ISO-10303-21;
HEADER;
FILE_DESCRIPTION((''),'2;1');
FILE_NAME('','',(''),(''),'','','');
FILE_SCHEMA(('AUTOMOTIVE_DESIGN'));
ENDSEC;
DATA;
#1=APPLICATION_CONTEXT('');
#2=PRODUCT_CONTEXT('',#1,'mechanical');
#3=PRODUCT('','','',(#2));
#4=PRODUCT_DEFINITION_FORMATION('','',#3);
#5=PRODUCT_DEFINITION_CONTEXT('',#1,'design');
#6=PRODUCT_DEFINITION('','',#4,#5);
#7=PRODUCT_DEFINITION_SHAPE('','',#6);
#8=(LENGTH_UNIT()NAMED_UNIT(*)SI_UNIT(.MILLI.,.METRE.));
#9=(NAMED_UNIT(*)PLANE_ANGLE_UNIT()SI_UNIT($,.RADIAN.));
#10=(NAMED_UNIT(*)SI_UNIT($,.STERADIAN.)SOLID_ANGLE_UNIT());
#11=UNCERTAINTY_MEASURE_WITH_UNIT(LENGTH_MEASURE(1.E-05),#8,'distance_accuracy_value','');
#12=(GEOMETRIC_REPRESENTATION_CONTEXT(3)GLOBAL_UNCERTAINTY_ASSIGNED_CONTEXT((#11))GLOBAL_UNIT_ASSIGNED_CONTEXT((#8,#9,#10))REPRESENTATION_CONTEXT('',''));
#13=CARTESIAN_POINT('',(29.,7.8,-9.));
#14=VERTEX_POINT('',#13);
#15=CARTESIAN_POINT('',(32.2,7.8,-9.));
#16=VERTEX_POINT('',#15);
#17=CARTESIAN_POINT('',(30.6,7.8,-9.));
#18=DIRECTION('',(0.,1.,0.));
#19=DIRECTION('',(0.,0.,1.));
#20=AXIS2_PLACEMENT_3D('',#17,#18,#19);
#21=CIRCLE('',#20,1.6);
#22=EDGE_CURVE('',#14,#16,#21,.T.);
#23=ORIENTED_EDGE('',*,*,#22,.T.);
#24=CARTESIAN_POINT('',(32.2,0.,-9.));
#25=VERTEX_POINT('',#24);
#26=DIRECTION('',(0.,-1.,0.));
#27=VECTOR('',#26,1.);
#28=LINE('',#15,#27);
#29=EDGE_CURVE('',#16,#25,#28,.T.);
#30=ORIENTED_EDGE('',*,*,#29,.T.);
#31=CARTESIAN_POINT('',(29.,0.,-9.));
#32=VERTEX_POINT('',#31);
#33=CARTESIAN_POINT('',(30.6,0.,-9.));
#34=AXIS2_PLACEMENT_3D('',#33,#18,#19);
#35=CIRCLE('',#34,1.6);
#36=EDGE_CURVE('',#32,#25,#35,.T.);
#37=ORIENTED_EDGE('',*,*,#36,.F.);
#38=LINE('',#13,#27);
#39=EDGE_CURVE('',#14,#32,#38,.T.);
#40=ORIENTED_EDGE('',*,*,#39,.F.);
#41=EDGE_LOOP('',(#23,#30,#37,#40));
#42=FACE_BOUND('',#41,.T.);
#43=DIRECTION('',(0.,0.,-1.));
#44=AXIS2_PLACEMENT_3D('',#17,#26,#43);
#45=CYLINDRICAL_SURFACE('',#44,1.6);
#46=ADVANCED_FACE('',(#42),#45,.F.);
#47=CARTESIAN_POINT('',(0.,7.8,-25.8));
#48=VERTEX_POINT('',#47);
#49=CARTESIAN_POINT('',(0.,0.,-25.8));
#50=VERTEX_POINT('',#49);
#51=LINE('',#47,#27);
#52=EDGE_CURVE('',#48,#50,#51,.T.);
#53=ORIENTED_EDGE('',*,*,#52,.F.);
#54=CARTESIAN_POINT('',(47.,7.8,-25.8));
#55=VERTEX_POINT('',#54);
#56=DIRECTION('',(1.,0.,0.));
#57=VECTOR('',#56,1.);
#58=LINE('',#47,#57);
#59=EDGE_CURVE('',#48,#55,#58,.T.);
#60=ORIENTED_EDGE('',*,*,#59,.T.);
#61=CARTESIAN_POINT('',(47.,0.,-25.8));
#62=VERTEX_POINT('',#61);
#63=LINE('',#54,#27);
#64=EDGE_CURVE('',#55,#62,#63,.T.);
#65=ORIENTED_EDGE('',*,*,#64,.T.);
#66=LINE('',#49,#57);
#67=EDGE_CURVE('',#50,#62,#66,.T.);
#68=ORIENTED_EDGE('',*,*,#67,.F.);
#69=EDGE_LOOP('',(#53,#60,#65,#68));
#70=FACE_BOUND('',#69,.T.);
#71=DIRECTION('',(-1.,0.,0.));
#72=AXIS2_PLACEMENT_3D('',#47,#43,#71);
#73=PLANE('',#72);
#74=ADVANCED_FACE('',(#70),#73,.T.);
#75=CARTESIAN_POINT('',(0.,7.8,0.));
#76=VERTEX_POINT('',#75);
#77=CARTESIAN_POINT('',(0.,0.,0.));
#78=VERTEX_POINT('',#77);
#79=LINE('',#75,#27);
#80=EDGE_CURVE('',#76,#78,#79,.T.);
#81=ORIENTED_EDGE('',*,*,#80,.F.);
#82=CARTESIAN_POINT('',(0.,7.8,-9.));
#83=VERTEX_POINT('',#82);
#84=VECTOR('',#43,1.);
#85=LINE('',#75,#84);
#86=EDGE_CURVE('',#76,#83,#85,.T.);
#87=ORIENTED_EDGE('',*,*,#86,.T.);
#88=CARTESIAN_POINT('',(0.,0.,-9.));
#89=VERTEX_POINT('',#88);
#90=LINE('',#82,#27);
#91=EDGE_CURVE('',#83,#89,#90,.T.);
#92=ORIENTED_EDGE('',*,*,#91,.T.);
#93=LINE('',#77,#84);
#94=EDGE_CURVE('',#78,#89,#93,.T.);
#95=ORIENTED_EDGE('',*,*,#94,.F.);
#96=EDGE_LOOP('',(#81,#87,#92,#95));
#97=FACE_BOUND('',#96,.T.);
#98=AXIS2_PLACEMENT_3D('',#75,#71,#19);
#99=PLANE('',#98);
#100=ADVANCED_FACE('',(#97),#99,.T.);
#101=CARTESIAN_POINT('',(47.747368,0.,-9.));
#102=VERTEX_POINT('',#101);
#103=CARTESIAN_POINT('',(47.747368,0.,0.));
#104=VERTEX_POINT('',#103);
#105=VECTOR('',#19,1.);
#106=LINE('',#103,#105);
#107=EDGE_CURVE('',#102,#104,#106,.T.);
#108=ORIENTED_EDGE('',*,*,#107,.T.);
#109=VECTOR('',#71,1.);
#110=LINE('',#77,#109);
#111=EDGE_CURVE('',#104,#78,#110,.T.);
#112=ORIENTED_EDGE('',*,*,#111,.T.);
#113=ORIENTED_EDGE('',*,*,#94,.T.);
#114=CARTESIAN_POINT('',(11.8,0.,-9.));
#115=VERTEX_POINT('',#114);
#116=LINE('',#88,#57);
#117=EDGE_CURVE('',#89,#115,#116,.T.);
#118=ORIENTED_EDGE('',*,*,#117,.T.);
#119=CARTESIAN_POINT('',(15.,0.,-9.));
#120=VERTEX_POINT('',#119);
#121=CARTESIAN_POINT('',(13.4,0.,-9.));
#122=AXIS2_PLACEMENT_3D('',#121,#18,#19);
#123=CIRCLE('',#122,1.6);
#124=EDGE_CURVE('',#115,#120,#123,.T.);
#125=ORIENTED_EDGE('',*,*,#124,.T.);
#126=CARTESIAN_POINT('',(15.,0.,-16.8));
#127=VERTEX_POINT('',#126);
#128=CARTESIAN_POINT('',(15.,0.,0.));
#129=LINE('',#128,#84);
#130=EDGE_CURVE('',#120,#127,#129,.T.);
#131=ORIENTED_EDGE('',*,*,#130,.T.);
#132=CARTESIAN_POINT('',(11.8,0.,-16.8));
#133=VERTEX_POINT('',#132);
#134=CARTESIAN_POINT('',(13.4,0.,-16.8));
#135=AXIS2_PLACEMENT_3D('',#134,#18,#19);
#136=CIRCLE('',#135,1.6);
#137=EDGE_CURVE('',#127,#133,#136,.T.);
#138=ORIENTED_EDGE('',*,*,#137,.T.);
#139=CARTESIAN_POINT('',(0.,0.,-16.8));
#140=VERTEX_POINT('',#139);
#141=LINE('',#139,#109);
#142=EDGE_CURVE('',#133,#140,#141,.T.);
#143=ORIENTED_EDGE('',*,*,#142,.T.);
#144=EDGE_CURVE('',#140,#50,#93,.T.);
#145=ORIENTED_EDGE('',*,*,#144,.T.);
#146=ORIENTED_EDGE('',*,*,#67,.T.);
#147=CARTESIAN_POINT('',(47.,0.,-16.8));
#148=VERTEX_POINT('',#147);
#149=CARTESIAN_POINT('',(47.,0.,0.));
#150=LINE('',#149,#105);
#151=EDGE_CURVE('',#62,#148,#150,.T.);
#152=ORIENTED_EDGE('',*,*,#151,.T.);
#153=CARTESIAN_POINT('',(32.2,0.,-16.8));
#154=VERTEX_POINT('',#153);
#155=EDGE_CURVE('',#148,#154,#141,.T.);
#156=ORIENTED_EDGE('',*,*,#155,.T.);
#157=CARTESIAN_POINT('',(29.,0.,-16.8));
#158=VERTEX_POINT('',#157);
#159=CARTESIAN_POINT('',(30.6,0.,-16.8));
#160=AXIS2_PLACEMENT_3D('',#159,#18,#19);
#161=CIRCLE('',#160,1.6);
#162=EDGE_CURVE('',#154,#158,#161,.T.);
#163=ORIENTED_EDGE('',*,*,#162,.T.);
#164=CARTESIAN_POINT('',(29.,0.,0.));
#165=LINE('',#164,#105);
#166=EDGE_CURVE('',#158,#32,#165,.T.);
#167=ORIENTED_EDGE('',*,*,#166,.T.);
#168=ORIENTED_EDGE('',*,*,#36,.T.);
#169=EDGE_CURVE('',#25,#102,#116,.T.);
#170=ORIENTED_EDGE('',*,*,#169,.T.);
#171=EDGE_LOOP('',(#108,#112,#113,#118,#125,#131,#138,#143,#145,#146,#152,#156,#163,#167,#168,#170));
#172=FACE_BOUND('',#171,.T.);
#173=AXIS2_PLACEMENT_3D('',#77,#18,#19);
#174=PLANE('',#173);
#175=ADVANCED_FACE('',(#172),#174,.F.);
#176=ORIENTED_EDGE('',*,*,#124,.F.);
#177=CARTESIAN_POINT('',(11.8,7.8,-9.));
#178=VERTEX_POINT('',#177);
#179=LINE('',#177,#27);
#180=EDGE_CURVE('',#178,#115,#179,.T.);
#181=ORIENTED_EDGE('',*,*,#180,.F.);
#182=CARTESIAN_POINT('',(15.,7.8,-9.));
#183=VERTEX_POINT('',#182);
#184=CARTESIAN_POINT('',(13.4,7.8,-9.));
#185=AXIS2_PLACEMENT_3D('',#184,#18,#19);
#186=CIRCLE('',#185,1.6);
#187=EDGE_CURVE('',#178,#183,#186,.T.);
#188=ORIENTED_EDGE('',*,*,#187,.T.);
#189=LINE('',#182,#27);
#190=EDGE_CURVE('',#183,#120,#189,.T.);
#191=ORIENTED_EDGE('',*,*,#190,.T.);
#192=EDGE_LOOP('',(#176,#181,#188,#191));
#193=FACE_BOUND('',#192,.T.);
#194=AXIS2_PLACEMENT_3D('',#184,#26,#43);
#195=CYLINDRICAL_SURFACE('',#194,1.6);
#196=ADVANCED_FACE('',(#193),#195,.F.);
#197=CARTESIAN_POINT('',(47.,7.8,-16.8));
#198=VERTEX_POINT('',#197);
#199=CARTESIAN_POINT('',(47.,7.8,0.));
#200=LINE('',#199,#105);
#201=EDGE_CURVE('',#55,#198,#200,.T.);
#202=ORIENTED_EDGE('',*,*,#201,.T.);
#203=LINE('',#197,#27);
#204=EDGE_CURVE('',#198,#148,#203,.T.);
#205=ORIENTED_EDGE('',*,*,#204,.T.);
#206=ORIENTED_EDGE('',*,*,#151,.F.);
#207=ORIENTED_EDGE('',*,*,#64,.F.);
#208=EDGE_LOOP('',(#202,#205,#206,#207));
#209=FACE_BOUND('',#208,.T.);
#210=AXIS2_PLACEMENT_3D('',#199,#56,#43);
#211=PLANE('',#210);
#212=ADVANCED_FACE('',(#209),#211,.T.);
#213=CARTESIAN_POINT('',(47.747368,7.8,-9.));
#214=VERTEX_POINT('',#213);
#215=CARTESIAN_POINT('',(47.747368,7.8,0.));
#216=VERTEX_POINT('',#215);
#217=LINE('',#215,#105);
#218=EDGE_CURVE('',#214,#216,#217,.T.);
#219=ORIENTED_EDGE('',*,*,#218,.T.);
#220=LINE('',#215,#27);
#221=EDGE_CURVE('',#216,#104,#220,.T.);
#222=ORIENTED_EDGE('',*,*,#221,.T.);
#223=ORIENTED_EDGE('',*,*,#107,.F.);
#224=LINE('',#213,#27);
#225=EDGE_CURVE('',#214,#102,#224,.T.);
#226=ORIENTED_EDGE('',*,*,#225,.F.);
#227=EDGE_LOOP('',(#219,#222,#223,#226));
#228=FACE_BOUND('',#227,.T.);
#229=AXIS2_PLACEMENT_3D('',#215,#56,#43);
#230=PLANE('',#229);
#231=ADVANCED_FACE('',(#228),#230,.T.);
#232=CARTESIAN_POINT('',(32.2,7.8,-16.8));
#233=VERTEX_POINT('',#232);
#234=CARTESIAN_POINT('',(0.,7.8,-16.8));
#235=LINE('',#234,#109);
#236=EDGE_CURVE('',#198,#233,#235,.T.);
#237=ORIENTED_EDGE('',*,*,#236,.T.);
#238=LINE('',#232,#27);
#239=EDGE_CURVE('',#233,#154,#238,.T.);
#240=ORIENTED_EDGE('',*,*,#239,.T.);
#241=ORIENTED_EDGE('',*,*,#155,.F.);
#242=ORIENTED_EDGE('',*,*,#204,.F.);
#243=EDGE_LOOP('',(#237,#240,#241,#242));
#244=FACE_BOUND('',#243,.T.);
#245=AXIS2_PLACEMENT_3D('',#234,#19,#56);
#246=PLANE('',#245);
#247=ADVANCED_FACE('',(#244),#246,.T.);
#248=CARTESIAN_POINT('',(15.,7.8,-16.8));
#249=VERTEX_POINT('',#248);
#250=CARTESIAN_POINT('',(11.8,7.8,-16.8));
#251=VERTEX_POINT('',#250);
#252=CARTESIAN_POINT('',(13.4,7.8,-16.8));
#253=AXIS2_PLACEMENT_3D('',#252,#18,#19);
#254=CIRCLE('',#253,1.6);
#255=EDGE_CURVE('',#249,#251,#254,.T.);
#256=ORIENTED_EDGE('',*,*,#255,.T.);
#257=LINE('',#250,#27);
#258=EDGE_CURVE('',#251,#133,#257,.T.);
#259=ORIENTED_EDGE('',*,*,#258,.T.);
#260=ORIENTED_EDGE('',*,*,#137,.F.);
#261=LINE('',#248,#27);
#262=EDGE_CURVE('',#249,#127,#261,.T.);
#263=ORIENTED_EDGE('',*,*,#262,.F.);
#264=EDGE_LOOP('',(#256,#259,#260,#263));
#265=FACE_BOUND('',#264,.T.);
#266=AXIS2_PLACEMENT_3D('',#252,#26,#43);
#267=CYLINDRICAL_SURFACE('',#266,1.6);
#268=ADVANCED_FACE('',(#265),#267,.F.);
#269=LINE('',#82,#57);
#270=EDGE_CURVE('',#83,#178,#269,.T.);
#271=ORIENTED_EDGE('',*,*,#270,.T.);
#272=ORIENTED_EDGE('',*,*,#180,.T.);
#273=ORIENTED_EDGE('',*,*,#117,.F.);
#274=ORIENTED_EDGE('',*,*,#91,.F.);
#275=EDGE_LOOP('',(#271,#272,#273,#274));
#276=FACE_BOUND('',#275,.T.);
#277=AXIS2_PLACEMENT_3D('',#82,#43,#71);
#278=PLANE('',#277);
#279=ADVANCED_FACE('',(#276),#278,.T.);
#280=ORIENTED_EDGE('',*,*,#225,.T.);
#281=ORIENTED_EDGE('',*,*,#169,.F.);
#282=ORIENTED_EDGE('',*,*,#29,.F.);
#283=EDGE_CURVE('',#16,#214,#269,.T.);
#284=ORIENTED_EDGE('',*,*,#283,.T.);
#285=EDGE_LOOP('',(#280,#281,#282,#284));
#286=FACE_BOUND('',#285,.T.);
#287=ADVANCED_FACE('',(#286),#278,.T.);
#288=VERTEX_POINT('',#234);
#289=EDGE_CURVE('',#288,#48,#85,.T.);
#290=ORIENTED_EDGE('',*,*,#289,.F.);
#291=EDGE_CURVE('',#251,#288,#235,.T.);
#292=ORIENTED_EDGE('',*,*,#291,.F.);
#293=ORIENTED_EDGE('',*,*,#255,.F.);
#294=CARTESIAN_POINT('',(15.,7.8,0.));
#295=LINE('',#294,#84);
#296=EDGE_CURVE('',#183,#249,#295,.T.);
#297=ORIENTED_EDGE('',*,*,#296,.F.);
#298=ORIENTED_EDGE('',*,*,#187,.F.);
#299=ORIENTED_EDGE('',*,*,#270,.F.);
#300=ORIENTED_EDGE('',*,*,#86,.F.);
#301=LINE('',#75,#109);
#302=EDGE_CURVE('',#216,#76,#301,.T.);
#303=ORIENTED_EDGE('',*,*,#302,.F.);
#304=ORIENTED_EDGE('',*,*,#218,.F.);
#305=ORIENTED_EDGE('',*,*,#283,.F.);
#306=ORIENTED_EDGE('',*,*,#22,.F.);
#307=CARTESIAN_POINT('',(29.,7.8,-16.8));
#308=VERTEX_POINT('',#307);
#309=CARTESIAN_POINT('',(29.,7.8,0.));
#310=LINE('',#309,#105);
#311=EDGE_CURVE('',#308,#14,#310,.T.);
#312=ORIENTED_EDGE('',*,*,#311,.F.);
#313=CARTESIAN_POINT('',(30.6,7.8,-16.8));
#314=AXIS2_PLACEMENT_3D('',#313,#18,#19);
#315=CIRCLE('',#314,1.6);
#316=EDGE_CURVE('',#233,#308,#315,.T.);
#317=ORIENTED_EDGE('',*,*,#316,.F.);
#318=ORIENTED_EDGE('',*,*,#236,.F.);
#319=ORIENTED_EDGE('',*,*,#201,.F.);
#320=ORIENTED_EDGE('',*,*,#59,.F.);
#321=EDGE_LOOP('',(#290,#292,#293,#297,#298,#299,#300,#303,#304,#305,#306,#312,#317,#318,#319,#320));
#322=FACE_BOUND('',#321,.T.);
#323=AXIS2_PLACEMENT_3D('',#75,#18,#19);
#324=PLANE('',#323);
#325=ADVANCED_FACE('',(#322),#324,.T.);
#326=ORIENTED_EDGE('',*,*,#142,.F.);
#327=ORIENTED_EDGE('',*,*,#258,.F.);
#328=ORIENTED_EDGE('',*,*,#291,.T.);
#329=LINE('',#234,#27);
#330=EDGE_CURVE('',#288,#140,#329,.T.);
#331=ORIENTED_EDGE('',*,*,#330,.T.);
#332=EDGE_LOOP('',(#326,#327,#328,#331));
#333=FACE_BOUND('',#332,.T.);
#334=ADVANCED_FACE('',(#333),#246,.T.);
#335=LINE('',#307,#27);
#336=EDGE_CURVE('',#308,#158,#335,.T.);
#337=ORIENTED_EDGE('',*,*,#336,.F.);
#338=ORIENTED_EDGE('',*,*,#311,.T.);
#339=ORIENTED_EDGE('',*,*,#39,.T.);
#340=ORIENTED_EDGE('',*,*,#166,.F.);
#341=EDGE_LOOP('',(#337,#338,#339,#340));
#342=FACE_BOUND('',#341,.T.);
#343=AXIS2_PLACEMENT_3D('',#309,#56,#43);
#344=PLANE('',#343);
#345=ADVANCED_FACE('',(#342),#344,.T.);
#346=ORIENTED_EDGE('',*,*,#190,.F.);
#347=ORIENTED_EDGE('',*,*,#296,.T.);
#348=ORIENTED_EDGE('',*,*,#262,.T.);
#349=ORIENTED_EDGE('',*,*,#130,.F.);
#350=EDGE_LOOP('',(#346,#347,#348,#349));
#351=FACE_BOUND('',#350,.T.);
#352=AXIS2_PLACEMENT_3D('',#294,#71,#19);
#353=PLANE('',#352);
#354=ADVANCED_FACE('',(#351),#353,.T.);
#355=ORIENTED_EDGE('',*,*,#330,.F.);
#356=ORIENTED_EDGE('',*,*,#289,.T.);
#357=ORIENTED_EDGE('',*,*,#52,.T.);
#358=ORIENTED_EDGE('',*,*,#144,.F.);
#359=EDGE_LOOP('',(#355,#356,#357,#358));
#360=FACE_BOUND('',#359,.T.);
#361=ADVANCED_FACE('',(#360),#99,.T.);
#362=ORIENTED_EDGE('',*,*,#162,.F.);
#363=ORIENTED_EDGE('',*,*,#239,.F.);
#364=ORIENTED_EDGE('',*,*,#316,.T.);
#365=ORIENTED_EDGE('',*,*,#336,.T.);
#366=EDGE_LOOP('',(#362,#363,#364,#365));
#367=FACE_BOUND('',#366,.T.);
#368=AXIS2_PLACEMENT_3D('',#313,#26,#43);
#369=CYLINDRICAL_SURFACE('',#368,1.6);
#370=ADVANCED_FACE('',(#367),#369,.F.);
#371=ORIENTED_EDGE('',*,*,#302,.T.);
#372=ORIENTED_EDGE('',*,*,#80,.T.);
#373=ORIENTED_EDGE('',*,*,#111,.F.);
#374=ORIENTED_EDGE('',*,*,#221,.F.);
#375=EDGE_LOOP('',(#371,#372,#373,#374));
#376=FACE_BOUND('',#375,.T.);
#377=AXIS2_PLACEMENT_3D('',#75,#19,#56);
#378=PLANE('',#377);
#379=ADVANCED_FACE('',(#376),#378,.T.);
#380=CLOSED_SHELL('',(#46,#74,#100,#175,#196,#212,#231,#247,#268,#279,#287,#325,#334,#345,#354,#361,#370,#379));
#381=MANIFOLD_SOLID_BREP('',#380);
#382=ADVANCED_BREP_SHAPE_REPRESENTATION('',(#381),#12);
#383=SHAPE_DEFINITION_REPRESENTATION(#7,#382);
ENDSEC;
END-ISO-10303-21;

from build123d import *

# Parameters (mm, degrees)
BOSS_EXTRUDE1_DEPTH = 7.8


with BuildPart() as part:
    # Sketch1 → Boss-Extrude1 (new body)
    with BuildSketch(Plane(origin=(0, 0, 0), x_dir=(1, 0, 0), z_dir=(0, 1, 0))):
        with BuildLine():
            Line((0, 9), (0, 0))
            Line((0, 0), (47.747368421, 0))
            Line((47.747368421, 0), (47.747368421, 9))
            Line((47.747368421, 9), (32.2, 9))
            ThreePointArc((32.2, 9), (30.6, 7.4), (29, 9))
            Line((29, 9), (29, 16.8))
            ThreePointArc((29, 16.8), (30.6, 18.4), (32.2, 16.8))
            Line((32.2, 16.8), (47, 16.8))
            Line((47, 16.8), (47, 25.8))
            Line((47, 25.8), (0, 25.8))
            Line((0, 25.8), (0, 16.8))
            Line((0, 16.8), (11.8, 16.8))
            ThreePointArc((11.8, 16.8), (13.4, 18.4), (15, 16.8))
            Line((15, 16.8), (15, 9))
            ThreePointArc((15, 9), (13.4, 7.4), (11.8, 9))
            Line((11.8, 9), (0, 9))
        make_face()
    extrude(amount=BOSS_EXTRUDE1_DEPTH)


solid = part.part
